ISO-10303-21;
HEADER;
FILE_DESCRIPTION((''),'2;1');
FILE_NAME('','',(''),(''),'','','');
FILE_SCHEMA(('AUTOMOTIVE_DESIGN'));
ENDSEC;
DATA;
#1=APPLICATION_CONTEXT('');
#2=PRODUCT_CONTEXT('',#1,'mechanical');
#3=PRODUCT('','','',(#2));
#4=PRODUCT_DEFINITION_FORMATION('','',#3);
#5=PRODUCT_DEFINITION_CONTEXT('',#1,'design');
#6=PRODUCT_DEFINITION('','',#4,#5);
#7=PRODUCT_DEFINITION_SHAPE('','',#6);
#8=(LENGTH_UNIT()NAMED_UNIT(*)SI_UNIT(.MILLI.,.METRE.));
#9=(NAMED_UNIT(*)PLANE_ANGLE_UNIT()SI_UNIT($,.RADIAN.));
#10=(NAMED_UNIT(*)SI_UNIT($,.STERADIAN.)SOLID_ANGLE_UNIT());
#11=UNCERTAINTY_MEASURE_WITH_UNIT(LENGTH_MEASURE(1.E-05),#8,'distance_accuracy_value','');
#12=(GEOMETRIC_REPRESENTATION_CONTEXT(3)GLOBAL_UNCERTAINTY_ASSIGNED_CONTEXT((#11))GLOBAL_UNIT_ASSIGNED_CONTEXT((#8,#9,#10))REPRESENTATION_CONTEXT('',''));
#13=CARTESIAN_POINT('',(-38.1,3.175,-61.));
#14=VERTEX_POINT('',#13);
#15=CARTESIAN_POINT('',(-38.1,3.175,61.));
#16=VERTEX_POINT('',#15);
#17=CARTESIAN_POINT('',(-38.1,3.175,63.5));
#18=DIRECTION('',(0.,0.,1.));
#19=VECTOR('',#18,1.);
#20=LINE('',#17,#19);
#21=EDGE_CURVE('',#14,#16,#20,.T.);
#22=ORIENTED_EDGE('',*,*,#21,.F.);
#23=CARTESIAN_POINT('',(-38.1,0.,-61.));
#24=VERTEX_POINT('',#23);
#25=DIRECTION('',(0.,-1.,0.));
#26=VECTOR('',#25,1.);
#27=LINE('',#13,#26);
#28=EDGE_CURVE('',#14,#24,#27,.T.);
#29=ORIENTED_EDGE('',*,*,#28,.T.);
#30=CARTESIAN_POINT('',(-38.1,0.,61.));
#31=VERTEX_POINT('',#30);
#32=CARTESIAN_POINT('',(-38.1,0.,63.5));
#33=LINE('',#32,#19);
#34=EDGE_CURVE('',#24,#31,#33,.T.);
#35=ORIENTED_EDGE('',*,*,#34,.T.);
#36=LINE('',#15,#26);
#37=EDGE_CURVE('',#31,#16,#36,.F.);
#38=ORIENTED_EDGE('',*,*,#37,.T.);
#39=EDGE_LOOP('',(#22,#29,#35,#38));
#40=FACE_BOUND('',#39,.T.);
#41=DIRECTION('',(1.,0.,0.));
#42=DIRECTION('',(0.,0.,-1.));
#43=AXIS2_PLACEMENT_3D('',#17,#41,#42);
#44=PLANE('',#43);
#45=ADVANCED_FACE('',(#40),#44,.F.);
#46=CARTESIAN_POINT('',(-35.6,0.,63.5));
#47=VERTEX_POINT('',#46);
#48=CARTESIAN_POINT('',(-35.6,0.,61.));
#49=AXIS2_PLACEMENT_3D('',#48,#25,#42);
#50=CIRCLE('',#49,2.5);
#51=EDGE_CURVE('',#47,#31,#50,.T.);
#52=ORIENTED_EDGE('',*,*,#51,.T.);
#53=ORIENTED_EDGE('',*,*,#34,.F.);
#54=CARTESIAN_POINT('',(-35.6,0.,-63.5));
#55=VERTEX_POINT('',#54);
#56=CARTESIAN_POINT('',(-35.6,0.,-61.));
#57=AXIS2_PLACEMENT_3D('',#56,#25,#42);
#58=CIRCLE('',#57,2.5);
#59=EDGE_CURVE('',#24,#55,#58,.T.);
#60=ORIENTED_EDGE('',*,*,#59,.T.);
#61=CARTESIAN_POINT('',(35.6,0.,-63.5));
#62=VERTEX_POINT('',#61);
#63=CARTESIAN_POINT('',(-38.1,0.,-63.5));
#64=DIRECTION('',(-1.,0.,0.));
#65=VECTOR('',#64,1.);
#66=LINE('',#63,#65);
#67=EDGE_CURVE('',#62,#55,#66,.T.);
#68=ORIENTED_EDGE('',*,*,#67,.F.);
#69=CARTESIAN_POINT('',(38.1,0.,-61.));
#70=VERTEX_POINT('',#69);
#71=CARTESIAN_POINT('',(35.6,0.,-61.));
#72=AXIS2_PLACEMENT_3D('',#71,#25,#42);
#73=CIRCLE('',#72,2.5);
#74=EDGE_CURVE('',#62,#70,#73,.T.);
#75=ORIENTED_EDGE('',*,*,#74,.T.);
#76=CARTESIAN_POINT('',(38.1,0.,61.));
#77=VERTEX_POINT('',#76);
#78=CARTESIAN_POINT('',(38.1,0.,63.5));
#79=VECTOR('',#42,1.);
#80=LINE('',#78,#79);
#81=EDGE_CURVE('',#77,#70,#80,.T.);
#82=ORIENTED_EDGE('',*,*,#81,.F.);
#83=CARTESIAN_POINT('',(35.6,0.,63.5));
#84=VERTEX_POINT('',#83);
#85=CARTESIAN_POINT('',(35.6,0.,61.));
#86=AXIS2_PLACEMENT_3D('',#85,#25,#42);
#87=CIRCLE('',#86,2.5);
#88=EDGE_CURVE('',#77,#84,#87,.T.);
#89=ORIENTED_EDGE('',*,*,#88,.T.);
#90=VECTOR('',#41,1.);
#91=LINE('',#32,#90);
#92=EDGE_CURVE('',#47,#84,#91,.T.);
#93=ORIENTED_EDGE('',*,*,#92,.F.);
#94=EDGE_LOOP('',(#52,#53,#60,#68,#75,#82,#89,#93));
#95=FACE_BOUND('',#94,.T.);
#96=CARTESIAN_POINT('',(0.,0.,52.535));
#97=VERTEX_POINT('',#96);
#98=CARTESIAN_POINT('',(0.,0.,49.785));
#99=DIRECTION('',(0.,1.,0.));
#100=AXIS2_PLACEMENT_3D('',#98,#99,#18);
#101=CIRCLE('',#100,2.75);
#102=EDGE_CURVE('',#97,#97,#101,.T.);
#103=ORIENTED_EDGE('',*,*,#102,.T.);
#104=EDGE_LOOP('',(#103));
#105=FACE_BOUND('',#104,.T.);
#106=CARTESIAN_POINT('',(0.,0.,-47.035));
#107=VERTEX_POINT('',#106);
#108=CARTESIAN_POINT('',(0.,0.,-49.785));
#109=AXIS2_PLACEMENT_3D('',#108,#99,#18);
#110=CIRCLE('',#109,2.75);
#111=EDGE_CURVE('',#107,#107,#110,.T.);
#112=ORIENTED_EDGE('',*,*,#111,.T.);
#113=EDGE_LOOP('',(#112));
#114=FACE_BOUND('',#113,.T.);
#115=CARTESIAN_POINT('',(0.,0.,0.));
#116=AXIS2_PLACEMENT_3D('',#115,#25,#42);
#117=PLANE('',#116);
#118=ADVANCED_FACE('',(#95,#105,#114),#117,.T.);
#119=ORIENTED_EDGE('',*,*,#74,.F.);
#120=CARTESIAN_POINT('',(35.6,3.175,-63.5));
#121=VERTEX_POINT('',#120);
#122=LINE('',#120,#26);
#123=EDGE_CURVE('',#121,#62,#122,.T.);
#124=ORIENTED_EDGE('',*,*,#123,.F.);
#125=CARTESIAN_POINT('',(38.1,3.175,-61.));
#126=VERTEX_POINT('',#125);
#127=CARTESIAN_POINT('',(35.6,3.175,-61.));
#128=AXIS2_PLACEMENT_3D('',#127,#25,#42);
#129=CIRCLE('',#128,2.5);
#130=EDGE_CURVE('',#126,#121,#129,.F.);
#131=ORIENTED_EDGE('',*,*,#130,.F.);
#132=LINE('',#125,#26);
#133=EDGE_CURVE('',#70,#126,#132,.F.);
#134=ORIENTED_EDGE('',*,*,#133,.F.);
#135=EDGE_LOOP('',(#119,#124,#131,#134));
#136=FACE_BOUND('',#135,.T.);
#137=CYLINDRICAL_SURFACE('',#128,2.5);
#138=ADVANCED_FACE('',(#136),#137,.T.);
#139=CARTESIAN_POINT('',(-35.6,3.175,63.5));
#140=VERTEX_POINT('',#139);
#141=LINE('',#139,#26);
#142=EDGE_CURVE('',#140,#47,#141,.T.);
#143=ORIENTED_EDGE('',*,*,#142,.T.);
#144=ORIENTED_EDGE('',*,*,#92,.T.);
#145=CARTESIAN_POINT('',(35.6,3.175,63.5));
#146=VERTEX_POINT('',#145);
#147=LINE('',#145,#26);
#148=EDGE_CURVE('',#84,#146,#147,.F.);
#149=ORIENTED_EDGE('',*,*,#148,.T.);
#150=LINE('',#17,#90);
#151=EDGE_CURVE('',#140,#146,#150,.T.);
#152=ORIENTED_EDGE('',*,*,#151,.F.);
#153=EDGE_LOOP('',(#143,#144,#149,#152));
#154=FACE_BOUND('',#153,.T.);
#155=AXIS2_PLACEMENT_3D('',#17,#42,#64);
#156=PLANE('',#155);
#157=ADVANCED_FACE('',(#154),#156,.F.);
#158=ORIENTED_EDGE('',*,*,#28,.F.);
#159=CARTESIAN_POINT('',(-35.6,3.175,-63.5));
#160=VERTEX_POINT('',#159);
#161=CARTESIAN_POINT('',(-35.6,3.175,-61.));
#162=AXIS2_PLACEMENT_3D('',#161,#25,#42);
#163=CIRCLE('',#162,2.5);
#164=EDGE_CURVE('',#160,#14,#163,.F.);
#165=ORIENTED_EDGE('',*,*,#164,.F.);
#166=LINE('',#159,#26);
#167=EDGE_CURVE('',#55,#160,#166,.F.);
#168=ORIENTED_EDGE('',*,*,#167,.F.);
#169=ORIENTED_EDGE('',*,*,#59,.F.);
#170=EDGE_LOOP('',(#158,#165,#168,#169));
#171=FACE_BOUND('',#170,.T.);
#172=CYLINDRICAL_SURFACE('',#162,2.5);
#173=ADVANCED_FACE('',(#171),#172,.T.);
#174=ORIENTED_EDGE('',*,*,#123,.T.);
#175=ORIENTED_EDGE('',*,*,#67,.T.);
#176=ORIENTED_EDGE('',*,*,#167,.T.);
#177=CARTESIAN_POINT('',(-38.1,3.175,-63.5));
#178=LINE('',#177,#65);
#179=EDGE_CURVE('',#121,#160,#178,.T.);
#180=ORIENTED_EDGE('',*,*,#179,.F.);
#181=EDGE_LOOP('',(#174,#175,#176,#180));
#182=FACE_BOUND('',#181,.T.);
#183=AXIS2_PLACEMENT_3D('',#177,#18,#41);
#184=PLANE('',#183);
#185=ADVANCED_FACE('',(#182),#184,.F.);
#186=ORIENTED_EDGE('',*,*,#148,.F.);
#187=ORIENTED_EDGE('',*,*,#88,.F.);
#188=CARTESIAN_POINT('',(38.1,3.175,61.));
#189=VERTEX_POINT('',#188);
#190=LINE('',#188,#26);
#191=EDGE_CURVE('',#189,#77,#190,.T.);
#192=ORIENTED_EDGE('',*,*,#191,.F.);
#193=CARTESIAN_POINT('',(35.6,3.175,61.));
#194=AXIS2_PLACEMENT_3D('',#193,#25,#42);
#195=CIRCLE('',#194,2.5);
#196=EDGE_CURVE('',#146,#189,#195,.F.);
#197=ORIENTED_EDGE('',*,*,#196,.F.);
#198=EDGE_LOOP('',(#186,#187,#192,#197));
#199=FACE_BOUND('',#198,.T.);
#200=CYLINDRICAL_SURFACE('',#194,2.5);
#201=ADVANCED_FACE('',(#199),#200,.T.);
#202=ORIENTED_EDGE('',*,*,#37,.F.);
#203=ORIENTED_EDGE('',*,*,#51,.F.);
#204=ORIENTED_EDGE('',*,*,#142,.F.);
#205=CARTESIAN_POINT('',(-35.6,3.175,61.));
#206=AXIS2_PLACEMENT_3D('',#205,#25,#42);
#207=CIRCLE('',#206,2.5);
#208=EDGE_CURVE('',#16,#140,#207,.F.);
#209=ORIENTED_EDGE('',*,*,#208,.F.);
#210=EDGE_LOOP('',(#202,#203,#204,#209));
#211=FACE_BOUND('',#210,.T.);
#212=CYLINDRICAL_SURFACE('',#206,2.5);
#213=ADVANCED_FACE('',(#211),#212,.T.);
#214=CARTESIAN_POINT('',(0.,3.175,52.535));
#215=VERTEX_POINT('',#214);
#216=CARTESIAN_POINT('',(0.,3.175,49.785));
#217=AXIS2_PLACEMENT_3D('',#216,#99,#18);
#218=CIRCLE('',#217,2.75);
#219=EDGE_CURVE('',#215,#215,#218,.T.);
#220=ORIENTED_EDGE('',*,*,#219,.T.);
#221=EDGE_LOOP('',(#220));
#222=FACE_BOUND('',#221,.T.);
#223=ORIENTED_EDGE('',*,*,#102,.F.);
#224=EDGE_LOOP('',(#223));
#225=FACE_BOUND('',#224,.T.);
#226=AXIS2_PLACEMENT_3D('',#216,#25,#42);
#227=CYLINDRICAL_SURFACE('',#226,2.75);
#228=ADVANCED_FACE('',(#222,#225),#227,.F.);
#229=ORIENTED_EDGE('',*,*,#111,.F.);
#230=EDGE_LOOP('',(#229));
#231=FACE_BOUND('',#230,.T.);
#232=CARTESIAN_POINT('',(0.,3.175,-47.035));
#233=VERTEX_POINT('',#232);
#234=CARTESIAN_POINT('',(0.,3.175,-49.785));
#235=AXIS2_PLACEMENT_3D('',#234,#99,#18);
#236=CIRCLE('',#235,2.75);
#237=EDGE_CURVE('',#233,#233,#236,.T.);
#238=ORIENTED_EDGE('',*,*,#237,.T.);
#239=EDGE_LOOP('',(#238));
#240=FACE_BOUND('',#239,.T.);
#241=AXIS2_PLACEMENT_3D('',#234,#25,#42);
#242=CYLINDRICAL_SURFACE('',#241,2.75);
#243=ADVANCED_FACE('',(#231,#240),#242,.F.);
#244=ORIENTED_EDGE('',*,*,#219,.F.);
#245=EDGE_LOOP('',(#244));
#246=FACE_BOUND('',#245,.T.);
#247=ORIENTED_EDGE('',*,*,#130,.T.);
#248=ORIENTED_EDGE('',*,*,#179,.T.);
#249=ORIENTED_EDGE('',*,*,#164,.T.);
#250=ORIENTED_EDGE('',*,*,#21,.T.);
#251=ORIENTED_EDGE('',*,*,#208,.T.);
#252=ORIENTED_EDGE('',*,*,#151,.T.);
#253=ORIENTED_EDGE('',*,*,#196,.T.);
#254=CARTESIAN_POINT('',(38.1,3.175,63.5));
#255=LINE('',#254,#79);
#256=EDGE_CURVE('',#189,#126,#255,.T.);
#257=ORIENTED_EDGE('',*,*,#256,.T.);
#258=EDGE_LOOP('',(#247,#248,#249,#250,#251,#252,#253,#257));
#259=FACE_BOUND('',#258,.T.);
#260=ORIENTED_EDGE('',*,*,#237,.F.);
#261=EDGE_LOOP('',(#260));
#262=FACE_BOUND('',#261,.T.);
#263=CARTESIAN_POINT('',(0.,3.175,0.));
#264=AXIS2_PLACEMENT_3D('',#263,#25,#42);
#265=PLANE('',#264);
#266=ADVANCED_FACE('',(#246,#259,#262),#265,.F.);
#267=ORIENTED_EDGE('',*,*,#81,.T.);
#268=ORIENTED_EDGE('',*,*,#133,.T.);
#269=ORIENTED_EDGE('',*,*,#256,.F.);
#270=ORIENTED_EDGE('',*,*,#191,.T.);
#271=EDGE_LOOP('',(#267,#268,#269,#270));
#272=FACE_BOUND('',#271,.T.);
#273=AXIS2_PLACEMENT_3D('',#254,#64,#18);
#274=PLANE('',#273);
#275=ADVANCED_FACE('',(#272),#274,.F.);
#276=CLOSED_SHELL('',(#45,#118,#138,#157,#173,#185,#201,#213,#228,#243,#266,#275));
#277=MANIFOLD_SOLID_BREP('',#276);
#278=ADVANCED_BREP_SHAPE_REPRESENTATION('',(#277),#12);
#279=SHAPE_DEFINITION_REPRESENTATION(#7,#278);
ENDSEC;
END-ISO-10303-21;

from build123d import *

# Parameters (mm, degrees)
SKETCH1_W           = 76.2
SKETCH1_H           = 127
SKETCH1_R           = 2.75
BOSS_EXTRUDE1_DEPTH = 3.175
FILLET1_R           = 2.5


with BuildPart() as part:
    # Sketch1 → Boss-Extrude1 (new body)
    with BuildSketch(Plane(origin=(0, 0, 0), x_dir=(1, 0, 0), z_dir=(0, 1, 0))):
        Rectangle(SKETCH1_W, SKETCH1_H)
        with Locations((0, 49.785)):
            Circle(SKETCH1_R, mode=Mode.SUBTRACT)
        with Locations((0, -49.785)):
            Circle(SKETCH1_R, mode=Mode.SUBTRACT)
    extrude(amount=BOSS_EXTRUDE1_DEPTH)

    # Fillet1
    fillet1_edges = [part.edges().sort_by_distance(p)[0] for p in [
        (38.1, 1.5875, 63.5),
        (-38.1, 1.5875, 63.5),
        (-38.1, 1.5875, -63.5),
        (38.1, 1.5875, -63.5),
    ]]
    fillet(fillet1_edges, radius=FILLET1_R)


solid = part.part
